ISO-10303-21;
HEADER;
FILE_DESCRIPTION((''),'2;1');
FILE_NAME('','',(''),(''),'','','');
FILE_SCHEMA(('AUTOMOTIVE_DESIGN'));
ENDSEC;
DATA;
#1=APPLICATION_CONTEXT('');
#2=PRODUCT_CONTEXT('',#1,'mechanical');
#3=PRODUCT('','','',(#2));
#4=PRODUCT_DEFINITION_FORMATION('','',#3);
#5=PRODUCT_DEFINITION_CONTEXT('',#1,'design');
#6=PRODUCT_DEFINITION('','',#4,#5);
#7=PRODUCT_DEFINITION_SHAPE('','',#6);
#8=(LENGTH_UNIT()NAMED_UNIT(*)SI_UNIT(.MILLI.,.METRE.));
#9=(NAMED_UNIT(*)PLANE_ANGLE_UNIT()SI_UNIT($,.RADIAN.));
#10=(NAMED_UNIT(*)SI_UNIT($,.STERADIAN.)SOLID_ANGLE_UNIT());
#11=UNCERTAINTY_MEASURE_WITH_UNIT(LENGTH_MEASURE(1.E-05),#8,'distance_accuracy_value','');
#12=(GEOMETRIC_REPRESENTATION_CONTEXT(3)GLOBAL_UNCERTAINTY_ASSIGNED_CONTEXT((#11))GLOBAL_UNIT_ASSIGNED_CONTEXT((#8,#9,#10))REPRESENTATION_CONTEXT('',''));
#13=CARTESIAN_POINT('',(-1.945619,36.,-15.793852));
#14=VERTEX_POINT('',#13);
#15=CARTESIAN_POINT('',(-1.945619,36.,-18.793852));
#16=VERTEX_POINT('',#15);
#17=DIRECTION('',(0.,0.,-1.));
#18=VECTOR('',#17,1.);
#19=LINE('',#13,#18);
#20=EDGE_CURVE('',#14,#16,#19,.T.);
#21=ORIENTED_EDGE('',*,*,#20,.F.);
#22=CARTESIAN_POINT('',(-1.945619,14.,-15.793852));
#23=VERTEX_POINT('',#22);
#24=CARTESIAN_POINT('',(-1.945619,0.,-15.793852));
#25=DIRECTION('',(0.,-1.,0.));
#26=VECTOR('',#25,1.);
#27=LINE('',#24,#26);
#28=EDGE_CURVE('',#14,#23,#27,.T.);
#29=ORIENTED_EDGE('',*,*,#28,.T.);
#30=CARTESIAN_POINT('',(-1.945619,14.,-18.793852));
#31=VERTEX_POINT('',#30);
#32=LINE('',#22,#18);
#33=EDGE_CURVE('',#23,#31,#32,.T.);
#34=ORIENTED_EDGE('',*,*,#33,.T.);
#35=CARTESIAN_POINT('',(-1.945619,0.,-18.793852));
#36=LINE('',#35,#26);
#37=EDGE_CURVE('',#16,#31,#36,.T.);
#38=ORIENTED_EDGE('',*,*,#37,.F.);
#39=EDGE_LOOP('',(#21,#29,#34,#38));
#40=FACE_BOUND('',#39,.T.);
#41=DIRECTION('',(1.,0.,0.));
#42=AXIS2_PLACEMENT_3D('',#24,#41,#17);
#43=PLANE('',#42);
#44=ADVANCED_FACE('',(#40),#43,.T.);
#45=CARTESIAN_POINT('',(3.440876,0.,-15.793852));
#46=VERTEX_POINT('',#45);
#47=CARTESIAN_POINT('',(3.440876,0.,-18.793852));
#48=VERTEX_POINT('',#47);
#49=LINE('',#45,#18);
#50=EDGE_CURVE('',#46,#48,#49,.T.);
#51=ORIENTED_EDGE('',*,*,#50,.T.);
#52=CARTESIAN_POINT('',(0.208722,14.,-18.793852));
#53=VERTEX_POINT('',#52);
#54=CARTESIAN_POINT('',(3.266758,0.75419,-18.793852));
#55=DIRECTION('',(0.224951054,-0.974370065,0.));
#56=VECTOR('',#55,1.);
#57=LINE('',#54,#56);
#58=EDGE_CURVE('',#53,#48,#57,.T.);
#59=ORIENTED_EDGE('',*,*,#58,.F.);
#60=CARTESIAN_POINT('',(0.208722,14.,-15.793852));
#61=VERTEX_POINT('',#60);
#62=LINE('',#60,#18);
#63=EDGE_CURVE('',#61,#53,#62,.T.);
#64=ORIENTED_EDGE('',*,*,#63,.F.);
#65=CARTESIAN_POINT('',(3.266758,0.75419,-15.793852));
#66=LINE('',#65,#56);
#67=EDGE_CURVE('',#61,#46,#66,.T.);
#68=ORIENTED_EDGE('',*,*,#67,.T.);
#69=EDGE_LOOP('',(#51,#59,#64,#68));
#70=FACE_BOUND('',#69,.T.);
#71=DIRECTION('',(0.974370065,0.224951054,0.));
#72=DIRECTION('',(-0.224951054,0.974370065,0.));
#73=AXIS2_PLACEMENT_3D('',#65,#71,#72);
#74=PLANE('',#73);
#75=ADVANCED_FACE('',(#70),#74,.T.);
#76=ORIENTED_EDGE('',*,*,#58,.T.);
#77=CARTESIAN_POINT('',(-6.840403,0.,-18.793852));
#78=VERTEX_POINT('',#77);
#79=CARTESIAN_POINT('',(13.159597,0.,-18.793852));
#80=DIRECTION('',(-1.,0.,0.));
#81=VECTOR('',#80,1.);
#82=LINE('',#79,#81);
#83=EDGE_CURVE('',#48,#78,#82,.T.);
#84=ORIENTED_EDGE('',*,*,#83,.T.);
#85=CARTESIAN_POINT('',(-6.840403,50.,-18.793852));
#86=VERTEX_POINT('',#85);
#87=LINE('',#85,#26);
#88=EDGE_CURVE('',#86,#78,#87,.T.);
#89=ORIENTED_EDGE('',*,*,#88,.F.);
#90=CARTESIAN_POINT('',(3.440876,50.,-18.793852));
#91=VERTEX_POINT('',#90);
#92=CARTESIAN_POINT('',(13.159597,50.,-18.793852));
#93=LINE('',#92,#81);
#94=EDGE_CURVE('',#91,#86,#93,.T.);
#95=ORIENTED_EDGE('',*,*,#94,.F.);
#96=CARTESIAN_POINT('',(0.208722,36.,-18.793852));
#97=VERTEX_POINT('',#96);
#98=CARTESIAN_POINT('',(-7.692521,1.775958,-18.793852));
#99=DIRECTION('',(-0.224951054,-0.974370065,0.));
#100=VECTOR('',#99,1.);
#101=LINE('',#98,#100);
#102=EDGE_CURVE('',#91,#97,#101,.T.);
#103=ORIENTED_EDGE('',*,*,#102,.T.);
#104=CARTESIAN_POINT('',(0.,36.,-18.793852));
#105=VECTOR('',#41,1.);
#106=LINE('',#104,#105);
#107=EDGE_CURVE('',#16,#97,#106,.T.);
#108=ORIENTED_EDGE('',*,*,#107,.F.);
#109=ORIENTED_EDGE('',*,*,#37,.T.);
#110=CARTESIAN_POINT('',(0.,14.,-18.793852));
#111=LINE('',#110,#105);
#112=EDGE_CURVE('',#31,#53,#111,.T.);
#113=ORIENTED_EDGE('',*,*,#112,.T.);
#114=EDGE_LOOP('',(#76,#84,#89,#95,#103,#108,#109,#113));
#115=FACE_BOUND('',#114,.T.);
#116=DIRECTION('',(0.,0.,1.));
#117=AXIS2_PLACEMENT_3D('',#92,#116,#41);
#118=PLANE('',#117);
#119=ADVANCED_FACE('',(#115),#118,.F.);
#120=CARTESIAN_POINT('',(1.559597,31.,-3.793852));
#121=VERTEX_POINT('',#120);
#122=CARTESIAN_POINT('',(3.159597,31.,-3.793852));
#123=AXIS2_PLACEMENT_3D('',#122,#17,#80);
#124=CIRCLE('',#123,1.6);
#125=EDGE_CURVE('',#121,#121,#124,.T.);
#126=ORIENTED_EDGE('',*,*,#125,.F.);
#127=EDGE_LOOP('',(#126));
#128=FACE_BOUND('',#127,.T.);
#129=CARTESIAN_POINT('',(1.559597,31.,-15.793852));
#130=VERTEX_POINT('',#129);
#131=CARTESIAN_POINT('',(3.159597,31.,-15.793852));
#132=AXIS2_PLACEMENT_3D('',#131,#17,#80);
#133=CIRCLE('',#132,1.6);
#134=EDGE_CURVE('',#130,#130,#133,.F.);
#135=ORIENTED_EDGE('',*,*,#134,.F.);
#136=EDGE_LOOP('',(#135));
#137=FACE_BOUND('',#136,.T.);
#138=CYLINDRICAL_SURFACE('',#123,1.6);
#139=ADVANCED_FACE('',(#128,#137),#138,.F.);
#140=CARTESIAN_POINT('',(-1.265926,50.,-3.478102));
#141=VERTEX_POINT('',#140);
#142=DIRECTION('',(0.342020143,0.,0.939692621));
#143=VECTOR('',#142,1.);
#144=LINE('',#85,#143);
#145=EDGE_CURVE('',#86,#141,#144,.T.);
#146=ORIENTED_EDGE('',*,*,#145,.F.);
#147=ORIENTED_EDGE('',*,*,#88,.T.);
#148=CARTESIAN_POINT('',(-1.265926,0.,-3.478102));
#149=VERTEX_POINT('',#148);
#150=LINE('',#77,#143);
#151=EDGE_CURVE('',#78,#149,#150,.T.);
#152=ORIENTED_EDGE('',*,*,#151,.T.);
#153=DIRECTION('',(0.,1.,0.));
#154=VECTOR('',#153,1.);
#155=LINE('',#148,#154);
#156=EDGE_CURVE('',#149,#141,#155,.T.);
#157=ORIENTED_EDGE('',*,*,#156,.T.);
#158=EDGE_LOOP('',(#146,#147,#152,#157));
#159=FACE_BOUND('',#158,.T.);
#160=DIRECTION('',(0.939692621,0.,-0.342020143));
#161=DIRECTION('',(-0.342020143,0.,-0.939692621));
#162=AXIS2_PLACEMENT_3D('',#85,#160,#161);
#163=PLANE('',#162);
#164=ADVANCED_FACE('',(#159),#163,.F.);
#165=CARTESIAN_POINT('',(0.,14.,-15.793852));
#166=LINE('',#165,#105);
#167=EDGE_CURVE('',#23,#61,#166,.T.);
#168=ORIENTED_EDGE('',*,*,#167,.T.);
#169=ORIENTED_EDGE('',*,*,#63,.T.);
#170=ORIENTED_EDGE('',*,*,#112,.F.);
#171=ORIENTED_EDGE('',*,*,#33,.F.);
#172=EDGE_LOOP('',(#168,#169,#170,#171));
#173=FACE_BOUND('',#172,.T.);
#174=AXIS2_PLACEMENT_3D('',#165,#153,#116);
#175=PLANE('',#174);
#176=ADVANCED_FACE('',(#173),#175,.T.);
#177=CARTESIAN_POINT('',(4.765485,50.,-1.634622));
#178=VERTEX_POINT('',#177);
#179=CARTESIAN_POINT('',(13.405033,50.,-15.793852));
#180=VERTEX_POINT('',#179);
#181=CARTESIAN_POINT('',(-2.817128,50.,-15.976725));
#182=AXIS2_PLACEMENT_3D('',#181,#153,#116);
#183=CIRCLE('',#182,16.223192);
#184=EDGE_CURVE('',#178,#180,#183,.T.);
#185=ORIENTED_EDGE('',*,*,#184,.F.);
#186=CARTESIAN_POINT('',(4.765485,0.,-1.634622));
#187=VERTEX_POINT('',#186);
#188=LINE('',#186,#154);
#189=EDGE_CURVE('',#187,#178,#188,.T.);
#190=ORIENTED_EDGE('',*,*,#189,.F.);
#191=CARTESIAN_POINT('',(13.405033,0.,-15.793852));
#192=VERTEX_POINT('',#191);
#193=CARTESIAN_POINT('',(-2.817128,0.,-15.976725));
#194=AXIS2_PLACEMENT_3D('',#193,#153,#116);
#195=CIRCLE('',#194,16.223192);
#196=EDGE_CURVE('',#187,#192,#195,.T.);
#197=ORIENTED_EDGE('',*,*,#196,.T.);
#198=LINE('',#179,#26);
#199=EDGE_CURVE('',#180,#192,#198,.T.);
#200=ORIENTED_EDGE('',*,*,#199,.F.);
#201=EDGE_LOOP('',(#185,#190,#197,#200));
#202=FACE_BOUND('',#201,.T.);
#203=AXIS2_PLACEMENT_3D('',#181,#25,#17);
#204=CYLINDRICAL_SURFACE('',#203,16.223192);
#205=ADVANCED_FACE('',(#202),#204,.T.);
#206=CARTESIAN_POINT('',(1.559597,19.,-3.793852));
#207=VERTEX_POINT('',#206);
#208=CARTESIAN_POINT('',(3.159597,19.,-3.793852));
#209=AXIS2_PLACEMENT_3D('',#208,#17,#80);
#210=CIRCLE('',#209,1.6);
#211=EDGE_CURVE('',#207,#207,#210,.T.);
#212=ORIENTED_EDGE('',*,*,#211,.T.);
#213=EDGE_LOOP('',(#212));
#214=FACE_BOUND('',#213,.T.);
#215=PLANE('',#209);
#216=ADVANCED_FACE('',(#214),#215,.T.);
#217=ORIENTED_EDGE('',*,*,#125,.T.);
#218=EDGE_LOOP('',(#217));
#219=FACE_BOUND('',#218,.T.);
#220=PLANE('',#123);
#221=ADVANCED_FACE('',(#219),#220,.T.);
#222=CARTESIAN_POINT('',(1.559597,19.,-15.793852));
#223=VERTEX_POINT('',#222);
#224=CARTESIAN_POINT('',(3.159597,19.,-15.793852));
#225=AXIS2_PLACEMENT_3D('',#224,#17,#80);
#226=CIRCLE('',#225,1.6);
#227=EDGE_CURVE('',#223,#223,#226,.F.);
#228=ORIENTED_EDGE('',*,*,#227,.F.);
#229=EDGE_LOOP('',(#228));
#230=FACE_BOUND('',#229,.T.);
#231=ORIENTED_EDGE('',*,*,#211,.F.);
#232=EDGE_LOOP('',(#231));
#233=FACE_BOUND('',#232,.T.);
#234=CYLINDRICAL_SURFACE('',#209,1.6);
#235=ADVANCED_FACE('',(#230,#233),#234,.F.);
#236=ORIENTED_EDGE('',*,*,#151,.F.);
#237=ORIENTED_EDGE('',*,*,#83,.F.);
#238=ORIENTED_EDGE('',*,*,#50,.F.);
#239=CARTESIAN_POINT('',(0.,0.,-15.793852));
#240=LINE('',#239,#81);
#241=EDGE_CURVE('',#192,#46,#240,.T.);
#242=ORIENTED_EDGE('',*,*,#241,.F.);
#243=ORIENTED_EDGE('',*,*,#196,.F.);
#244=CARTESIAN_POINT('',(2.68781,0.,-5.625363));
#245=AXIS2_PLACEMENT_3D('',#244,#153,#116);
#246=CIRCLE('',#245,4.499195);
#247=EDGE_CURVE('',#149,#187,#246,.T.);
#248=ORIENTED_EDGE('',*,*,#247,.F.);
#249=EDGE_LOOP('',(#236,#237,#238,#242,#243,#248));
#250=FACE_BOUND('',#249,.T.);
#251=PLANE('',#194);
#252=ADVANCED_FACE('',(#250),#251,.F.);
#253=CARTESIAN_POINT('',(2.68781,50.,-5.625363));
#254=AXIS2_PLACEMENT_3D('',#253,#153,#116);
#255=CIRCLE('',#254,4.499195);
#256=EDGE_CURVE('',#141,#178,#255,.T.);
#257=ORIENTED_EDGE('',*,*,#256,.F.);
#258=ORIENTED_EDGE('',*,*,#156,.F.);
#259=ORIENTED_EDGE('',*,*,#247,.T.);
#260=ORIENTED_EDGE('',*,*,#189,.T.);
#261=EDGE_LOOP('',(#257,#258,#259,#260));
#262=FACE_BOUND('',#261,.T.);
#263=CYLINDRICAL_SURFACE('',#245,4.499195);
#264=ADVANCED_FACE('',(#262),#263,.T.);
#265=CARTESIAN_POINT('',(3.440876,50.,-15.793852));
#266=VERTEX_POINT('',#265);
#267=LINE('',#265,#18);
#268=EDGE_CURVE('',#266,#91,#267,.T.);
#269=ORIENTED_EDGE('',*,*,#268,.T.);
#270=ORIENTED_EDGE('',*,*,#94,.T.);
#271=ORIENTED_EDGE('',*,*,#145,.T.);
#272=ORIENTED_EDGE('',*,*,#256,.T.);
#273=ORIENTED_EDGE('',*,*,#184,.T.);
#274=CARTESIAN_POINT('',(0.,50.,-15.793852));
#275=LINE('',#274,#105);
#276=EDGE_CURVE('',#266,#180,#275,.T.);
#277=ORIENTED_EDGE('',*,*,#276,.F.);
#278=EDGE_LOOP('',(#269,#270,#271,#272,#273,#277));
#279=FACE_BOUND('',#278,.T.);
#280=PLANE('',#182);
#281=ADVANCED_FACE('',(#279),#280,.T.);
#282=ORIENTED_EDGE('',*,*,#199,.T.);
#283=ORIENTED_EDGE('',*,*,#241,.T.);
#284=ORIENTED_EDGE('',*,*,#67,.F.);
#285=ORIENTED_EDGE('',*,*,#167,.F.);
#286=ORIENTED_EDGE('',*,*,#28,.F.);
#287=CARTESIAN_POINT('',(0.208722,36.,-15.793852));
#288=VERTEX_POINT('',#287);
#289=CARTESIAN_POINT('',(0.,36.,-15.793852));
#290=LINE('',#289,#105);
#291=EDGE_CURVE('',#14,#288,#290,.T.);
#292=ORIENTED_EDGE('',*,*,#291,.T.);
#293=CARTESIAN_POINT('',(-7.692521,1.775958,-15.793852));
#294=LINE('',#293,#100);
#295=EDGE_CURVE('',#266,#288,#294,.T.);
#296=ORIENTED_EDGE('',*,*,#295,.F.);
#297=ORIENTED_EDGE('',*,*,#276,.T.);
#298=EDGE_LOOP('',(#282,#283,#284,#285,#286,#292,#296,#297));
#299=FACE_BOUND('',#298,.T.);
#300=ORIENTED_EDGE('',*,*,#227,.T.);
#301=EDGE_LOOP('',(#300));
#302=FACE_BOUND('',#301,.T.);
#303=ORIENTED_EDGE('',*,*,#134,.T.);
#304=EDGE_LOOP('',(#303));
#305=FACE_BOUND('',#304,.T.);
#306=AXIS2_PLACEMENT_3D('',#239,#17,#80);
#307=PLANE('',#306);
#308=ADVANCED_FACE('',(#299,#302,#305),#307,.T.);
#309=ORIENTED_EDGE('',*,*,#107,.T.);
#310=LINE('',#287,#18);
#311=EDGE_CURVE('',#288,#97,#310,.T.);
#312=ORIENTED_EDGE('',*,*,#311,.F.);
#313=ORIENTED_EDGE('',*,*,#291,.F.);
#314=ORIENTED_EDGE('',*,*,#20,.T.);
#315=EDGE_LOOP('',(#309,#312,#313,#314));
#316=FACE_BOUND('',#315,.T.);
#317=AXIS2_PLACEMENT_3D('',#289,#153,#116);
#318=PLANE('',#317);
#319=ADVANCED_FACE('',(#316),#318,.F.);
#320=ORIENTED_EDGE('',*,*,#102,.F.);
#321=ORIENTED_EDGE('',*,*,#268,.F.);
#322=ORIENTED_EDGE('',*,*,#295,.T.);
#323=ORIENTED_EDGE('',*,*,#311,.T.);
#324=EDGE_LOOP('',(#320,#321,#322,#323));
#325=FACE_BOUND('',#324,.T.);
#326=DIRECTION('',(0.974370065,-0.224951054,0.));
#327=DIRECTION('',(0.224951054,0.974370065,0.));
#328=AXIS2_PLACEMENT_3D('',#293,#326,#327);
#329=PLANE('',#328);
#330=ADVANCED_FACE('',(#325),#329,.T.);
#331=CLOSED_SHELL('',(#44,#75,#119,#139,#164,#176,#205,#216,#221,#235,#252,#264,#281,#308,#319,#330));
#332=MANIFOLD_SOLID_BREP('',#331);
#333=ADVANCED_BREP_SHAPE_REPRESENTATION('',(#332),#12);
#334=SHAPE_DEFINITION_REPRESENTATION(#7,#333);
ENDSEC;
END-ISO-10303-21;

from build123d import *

# Parameters (mm, degrees)
BOSS_EXTRUDE1_DEPTH = 50
CUT_EXTRUDE1_START  = -50
CUT_EXTRUDE1_DEPTH  = 50
SKETCH3_R           = 1.6
CUT_EXTRUDE2_DEPTH  = 15
SKETCH6_R           = 1.6
CUT_EXTRUDE4_DEPTH  = 3
SKETCH7_W           = 1.666520658
SKETCH7_H           = 50
CUT_EXTRUDE5_DEPTH  = 3
CUT_EXTRUDE6_DEPTH  = 3


with BuildPart() as part:
    # Sketch1 → Boss-Extrude1 (new body)
    with BuildSketch(Plane(origin=(0, 0, 0), x_dir=(1, 0, 0), z_dir=(0, 1, 0))):
        with BuildLine():
            Line((13.159597133, 18.793852416), (-6.840402867, 18.793852416))
            Line((-6.840402867, 18.793852416), (0, 0))
            ThreePointArc((0, 0), (10.472132847, 6.671484404), (13.159597133, 18.793852416))
        make_face()
    extrude(amount=BOSS_EXTRUDE1_DEPTH)

    # Sketch5 → Cut-Extrude1 (cut)
    with BuildSketch(Plane(origin=(0, 50, 0), x_dir=(1, 0, 0), z_dir=(0, 1, 0)).offset(CUT_EXTRUDE1_START)):
        with BuildLine():
            ThreePointArc((4.765485224, 1.634621553), (1.372703273, 1.322660653), (-1.265925556, 3.478101879))
            Line((-1.265925556, 3.478101879), (0, 0))
            ThreePointArc((0, 0), (2.446582795, 0.63119464), (4.765485224, 1.634621553))
        make_face()
    extrude(amount=CUT_EXTRUDE1_DEPTH, mode=Mode.SUBTRACT)

    # Sketch3 → Cut-Extrude2 (cut)
    with BuildSketch(Plane(origin=(0, 0, -18.793852416), x_dir=(-1, 0, 0), z_dir=(0, 0, -1))):
        with Locations((-3.159597133, 19)):
            Circle(SKETCH3_R)
        with Locations((-3.159597133, 31)):
            Circle(SKETCH3_R)
    extrude(amount=-CUT_EXTRUDE2_DEPTH, mode=Mode.SUBTRACT)

    # Sketch6 → Cut-Extrude4 (cut)
    with BuildSketch(Plane(origin=(0, 0, -18.793852416), x_dir=(-1, 0, 0), z_dir=(0, 0, -1))):
        Polygon((0.945619298, 36), (-0.208721658, 36), (-3.440876334, 50), (-13.159597133, 50), (-13.159597133, 0), (-3.440876334, 0), (-0.208721658, 14), (0.945619298, 14), align=None)
        with Locations((-3.159597133, 19)):
            Circle(SKETCH6_R, mode=Mode.SUBTRACT)
        with Locations((-3.159597133, 31)):
            Circle(SKETCH6_R, mode=Mode.SUBTRACT)
    extrude(amount=-CUT_EXTRUDE4_DEPTH, mode=Mode.SUBTRACT)

    # Sketch7 → Cut-Extrude5 (cut)
    with BuildSketch(Plane(origin=(0, 0, -18.793852416), x_dir=(-1, 0, 0), z_dir=(0, 0, -1))):
        with Locations((-13.992857462, 25)):
            Rectangle(SKETCH7_W, SKETCH7_H)
    extrude(amount=-CUT_EXTRUDE5_DEPTH, mode=Mode.SUBTRACT)

    # Sketch6<5> → Cut-Extrude6 (cut)
    with BuildSketch(Plane(origin=(0, 0, -18.793852416), x_dir=(-1, 0, 0), z_dir=(0, 0, -1))):
        Polygon((0.945619298, 36), (0.945619298, 31), (0.945619298, 19), (0.945619298, 14), (1.945619298, 14), (1.945619298, 36), align=None)
    extrude(amount=-CUT_EXTRUDE6_DEPTH, mode=Mode.SUBTRACT)


solid = part.part
